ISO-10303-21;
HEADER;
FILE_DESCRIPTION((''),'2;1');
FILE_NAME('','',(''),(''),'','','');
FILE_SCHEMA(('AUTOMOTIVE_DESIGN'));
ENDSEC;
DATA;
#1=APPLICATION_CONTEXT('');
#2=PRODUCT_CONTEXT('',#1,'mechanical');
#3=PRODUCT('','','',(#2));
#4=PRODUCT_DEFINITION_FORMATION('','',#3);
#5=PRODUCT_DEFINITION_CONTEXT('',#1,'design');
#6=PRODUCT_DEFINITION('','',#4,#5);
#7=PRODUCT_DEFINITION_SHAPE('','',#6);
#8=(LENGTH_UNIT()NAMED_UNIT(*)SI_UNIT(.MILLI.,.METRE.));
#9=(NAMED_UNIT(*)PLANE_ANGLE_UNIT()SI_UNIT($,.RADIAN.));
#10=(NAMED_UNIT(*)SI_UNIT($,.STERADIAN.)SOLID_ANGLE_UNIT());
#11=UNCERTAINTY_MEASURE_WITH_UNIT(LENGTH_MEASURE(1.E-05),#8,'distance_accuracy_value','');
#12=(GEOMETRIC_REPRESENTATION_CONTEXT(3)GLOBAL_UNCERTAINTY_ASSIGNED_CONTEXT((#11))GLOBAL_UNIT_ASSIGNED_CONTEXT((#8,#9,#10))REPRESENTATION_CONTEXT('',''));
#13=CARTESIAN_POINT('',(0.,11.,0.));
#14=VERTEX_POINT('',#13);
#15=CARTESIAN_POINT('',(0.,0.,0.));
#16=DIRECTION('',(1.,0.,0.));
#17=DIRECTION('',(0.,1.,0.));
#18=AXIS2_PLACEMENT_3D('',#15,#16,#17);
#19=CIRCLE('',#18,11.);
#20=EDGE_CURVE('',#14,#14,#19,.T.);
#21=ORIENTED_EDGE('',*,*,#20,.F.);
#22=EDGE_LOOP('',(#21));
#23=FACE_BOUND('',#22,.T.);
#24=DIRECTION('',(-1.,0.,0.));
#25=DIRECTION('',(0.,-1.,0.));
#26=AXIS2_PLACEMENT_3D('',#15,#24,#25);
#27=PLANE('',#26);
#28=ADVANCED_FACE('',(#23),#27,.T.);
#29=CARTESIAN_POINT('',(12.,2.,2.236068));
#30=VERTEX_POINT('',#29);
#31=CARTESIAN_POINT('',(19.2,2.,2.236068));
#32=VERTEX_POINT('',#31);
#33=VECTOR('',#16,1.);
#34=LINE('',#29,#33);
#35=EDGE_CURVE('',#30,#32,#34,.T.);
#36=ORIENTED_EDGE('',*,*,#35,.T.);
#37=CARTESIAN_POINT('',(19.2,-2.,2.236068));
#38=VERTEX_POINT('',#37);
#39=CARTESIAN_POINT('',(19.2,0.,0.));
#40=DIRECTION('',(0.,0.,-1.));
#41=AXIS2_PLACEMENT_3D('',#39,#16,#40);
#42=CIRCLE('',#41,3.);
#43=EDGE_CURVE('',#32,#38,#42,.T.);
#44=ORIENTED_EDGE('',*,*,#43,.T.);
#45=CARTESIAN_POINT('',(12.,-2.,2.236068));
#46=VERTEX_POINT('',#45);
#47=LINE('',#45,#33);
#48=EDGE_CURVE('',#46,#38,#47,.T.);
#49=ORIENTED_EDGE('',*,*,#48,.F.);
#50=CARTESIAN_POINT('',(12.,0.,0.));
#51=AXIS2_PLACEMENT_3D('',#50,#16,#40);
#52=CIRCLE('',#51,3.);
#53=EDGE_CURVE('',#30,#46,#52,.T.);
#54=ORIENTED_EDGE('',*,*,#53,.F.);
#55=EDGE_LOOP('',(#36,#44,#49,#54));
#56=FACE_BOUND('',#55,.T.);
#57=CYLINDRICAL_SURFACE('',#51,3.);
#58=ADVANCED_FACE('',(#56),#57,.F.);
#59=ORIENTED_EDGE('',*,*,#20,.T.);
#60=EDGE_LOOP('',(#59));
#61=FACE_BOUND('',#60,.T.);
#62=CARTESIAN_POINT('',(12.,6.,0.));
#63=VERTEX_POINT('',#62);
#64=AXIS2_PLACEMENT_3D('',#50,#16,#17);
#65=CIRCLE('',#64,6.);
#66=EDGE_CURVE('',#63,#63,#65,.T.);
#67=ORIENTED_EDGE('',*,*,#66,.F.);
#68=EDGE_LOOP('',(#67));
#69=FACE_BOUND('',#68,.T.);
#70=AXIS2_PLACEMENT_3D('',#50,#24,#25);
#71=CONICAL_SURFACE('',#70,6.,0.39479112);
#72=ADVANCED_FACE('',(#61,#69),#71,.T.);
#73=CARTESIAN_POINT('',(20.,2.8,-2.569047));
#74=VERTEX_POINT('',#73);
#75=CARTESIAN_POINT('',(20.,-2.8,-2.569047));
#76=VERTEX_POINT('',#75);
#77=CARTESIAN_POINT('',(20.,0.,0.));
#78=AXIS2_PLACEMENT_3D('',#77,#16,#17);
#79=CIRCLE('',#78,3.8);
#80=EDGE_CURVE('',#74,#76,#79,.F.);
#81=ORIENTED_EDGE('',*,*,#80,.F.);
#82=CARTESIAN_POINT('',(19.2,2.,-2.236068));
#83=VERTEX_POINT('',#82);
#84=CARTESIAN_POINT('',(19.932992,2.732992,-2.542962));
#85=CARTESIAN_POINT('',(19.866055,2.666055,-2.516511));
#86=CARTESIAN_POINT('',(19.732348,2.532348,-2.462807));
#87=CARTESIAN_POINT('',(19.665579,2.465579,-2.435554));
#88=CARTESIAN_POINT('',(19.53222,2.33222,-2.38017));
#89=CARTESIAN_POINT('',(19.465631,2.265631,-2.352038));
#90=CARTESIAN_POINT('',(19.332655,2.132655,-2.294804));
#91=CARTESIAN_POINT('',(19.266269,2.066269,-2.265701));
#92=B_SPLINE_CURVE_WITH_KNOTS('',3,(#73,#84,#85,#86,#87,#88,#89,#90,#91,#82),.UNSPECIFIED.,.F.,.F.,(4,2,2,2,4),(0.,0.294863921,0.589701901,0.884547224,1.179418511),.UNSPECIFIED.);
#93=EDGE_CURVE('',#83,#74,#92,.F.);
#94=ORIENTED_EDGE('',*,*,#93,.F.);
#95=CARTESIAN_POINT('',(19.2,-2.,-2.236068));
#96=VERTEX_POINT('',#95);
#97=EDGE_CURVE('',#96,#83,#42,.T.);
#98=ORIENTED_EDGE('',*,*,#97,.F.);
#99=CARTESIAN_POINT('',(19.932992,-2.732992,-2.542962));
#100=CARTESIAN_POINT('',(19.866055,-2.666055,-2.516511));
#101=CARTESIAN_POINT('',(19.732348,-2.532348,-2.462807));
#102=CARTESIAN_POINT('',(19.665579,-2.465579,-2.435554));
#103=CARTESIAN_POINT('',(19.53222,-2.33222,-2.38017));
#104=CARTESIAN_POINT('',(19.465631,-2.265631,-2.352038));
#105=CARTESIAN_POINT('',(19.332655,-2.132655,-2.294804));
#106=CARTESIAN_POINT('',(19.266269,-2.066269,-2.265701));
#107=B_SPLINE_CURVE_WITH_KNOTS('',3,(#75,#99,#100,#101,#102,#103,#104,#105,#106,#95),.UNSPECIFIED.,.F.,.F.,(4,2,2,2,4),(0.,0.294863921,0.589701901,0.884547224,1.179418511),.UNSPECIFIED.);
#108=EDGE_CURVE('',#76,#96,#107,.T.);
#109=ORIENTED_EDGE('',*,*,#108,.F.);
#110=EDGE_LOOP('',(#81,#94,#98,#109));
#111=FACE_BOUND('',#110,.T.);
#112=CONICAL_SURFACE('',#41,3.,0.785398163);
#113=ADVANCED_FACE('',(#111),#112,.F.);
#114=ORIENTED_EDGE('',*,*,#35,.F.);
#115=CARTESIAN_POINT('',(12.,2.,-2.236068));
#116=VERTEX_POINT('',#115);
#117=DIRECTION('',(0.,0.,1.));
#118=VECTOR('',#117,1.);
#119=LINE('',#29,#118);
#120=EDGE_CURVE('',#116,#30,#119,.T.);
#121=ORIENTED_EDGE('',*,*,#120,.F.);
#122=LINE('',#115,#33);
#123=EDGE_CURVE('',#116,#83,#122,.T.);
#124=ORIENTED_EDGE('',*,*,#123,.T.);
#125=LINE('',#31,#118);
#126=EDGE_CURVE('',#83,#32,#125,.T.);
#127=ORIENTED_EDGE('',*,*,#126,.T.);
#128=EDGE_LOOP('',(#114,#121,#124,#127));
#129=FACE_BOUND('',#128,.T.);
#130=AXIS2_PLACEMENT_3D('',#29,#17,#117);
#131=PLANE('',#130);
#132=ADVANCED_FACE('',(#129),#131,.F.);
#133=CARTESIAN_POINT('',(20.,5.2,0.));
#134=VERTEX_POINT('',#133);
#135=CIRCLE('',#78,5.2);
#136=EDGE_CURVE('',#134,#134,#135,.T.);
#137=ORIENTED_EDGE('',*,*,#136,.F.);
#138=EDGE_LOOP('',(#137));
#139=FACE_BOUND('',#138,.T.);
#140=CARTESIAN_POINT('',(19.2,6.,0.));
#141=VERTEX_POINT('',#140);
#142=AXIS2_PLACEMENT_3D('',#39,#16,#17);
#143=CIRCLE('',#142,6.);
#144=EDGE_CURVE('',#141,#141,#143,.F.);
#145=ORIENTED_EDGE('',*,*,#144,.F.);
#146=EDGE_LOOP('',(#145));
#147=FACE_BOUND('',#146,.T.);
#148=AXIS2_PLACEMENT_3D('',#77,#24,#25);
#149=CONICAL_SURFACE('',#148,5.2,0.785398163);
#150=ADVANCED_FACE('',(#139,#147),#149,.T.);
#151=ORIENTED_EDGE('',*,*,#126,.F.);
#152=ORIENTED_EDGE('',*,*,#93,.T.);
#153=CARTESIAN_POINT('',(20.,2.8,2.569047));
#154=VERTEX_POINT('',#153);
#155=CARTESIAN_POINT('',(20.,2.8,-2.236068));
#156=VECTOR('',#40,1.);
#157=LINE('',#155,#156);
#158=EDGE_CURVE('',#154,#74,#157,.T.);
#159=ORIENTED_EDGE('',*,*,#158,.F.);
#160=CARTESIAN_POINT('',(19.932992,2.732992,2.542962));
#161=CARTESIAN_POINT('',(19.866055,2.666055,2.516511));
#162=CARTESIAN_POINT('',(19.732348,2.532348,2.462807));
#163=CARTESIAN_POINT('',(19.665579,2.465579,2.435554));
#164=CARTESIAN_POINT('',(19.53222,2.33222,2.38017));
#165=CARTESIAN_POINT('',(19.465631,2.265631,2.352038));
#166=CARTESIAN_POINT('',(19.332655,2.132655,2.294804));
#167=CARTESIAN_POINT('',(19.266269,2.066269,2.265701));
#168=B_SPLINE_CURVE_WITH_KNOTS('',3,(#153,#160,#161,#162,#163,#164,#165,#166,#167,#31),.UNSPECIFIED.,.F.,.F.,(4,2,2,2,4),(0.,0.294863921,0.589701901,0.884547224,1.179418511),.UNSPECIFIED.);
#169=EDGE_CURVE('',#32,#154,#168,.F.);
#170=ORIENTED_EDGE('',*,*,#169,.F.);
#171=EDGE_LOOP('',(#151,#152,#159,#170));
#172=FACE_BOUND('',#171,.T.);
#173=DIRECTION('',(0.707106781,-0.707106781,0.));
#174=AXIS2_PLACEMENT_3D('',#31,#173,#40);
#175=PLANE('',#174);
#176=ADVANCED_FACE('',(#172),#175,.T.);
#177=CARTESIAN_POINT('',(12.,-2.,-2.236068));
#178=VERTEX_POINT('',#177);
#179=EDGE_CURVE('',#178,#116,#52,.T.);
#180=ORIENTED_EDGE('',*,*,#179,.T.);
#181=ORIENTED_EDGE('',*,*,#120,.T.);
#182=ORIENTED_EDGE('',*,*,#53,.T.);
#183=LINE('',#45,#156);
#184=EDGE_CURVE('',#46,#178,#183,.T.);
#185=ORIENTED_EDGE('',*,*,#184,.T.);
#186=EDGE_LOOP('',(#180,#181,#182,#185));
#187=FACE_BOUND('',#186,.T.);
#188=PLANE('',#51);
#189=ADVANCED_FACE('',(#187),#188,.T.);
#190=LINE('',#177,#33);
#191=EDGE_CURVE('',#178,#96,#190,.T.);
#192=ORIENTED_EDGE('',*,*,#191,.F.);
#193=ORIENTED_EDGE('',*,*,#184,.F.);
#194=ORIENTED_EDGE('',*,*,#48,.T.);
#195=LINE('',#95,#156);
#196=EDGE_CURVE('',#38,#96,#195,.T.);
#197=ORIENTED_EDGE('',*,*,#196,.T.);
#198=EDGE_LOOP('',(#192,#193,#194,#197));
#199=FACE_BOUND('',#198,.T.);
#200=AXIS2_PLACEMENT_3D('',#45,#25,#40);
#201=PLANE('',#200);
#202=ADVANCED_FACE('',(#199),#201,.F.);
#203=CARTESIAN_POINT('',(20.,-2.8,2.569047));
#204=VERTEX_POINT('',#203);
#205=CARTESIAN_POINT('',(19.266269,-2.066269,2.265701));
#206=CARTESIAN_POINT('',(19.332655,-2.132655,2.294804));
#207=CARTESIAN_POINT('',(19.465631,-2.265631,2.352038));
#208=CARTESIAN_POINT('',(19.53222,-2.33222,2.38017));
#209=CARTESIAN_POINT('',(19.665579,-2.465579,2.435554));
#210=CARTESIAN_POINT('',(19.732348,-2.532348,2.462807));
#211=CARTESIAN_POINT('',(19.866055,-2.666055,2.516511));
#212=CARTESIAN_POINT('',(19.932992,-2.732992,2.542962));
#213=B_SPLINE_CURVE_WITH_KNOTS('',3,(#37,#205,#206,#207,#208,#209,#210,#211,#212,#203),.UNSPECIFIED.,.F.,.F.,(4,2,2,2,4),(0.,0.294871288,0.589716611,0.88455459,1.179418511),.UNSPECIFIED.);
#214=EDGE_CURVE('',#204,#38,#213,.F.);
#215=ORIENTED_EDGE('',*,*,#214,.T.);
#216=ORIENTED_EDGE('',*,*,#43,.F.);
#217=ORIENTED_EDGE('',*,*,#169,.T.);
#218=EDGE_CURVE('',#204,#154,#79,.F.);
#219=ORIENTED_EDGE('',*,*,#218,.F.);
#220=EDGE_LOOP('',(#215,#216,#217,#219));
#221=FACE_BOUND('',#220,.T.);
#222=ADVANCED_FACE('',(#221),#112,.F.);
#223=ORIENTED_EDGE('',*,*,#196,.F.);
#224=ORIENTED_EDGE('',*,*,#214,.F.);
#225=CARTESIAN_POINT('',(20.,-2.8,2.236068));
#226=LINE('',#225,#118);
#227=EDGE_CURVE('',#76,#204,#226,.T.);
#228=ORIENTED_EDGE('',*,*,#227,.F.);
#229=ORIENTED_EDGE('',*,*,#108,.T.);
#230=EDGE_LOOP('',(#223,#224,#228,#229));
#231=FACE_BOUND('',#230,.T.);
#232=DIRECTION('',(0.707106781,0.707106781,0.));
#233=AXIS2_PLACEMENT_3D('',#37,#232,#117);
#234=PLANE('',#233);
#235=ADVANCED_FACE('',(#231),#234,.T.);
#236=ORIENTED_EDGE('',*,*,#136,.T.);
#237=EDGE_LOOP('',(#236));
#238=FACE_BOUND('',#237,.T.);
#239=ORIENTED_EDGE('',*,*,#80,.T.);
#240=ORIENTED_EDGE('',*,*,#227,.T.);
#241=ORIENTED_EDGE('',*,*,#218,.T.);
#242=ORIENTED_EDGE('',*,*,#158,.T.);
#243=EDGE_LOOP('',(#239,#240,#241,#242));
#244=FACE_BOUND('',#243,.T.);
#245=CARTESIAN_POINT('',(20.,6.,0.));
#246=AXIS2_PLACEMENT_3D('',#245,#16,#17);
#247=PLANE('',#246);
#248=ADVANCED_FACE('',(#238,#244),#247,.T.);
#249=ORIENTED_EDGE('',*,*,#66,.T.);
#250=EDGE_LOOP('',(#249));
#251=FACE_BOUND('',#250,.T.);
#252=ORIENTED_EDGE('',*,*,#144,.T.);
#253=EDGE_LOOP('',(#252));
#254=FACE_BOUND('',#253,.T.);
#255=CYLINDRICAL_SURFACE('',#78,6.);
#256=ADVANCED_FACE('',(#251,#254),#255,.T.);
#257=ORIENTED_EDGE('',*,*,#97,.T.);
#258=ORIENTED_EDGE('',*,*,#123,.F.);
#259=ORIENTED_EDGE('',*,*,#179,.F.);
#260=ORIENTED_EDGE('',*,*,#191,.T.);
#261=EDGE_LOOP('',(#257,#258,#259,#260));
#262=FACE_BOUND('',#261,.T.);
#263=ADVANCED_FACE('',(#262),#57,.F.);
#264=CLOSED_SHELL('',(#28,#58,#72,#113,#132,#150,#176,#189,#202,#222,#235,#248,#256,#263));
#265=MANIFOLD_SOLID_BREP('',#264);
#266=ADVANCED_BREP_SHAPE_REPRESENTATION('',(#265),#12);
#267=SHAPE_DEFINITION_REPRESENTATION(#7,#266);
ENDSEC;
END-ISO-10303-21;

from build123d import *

# Parameters (mm, degrees)
CUT_EXTRUDE1_DEPTH = 8
CHAMFER1_SIZE      = 0.8


with BuildPart() as part:
    # Sketch2 → Revolve1 (revolve)
    with BuildSketch(Plane.XY):
        Polygon((0, 0), (0, 11), (12, 6), (20, 6), (20, 0), align=None)
    revolve(axis=Axis((20, 0, 0), (-1, 0, 0)))

    # Sketch3 → Cut-Extrude1 (cut)
    with BuildSketch(Plane(origin=(20, 0, 0), x_dir=(0, 0, -1), z_dir=(1, 0, 0))):
        with BuildLine():
            Line((-2.236067977, 2), (2.236067977, 2))
            ThreePointArc((2.236067977, 2), (3, 0), (2.236067977, -2))
            Line((2.236067977, -2), (-2.236067977, -2))
            ThreePointArc((-2.236067977, -2), (-3, 0), (-2.236067977, 2))
        make_face()
    extrude(amount=-CUT_EXTRUDE1_DEPTH, mode=Mode.SUBTRACT)

    # Chamfer1
    chamfer1_edges = [part.edges().sort_by_distance(p)[0] for p in [
        (20, 0, 3),
        (20, -2, 0),
        (20, 0, -3),
        (20, 2, 0),
        (20, -6, 0),
    ]]
    chamfer(chamfer1_edges, length=CHAMFER1_SIZE)


solid = part.part
